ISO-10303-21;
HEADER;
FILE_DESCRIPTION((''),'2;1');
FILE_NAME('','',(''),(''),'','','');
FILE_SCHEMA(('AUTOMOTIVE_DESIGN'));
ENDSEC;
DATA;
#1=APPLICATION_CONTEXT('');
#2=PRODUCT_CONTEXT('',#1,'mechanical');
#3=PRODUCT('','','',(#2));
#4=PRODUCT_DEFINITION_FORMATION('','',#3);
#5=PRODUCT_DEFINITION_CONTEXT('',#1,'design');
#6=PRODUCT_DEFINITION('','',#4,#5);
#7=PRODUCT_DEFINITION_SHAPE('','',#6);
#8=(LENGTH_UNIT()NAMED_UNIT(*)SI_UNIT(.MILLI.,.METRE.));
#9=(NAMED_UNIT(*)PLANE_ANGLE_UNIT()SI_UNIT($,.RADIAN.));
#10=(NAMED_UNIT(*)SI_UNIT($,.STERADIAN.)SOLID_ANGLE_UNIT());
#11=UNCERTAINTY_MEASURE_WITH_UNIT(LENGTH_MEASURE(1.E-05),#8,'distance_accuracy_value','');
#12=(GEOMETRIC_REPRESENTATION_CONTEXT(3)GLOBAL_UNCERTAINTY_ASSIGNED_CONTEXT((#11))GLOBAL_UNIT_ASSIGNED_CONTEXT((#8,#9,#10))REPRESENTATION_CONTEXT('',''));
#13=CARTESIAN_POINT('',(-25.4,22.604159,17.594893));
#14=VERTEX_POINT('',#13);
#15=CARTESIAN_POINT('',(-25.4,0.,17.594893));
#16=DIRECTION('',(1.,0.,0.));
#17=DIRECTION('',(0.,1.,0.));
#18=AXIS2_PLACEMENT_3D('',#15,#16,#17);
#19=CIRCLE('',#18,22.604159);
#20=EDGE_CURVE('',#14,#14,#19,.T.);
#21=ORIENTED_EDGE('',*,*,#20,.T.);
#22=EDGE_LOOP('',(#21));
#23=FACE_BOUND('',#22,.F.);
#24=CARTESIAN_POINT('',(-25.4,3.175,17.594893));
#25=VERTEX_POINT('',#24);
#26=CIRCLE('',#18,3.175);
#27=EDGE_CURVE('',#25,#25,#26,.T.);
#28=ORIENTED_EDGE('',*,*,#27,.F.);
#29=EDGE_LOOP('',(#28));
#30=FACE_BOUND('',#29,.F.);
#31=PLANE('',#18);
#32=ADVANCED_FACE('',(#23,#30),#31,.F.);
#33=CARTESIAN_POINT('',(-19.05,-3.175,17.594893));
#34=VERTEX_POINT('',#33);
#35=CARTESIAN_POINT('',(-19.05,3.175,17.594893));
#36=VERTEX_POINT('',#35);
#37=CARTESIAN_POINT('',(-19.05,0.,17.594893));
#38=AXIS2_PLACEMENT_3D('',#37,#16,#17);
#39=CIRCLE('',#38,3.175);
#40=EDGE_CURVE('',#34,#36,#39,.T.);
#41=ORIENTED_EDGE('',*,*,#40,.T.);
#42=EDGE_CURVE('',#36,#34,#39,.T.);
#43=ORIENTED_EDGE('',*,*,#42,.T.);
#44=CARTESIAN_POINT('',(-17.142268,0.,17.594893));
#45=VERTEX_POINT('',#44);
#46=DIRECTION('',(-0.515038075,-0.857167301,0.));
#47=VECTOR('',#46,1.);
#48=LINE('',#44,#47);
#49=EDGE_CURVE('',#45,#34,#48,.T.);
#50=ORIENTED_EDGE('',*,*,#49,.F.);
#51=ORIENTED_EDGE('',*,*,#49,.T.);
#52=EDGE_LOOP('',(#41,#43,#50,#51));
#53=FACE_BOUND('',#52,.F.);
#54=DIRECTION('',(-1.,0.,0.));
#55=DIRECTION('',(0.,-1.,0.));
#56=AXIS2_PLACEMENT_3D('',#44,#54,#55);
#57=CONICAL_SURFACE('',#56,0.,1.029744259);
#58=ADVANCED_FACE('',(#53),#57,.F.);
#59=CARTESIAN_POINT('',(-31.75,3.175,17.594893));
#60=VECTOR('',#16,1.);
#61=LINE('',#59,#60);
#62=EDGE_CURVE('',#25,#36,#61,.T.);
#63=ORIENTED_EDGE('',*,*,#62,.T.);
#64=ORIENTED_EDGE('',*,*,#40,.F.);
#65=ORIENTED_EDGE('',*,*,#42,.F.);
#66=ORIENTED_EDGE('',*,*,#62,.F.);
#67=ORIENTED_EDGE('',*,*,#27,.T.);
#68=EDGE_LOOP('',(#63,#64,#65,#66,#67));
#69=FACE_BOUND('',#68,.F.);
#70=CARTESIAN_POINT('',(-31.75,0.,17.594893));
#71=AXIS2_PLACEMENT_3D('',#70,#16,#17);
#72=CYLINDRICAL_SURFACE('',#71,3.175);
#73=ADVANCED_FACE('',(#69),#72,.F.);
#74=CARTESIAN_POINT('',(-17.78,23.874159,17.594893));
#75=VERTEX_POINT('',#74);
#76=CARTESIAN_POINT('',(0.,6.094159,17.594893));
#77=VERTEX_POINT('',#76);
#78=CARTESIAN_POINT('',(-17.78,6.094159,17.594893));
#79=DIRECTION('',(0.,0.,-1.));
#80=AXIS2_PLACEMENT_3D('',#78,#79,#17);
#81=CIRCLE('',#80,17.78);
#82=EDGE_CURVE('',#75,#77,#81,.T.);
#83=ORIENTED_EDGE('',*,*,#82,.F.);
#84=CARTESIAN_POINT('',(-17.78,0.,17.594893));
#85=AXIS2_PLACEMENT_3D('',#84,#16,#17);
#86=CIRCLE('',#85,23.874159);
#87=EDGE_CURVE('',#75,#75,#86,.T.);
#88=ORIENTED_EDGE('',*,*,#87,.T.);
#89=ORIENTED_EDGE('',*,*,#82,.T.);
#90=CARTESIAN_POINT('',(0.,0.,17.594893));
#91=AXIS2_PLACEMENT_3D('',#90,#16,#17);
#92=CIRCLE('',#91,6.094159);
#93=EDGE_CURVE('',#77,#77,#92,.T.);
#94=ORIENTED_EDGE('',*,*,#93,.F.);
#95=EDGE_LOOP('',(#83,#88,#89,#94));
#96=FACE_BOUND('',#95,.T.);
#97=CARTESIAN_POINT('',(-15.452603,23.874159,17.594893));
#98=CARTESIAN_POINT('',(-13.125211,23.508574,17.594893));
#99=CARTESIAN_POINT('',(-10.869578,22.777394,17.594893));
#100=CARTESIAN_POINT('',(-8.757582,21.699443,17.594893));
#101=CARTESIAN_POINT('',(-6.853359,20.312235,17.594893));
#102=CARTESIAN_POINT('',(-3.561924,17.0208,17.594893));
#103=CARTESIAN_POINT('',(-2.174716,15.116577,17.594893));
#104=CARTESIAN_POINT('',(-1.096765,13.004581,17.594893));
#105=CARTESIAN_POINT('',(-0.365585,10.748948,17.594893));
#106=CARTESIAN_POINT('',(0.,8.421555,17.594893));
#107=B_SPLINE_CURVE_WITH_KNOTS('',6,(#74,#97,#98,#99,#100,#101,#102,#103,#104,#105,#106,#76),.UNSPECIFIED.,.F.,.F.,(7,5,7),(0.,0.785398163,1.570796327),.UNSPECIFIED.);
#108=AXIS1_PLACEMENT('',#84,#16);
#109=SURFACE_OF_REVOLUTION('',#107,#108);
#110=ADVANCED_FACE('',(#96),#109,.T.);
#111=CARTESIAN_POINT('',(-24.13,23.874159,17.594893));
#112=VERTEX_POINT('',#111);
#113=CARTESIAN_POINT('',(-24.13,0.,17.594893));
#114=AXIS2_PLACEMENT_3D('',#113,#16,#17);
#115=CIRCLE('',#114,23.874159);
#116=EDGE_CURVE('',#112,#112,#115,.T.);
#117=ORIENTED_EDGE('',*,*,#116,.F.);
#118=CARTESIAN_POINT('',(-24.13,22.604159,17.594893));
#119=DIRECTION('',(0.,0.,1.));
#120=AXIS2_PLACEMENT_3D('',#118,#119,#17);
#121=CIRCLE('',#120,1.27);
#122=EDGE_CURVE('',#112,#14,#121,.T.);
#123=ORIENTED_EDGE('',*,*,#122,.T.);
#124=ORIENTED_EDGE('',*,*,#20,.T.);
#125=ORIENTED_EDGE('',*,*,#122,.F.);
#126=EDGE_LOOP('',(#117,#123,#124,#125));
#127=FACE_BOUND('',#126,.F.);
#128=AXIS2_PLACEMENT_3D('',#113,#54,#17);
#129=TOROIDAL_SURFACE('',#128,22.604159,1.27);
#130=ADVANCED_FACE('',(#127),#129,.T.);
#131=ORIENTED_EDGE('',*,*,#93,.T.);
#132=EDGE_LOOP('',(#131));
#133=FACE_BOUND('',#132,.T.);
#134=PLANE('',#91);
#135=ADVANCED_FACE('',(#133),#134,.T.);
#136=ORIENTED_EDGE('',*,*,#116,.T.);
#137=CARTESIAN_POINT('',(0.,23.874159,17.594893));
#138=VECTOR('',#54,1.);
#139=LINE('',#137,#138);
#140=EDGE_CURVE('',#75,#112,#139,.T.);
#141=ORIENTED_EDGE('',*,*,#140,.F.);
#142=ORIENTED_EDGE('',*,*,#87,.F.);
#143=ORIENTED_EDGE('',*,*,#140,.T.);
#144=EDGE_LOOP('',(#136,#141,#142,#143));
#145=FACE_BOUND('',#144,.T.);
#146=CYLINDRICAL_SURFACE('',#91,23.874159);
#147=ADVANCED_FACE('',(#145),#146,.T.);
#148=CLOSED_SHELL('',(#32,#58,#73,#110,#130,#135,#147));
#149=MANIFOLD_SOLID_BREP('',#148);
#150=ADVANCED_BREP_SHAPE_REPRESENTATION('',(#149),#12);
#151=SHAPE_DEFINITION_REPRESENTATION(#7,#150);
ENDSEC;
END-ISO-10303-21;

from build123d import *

# Parameters (mm, degrees)
F0_R     = 23.8741589036
F1_DEPTH = 25.4
F2_R     = 17.78
F4_D     = 6.35
F4_DEPTH = 6.35
F4_TIP   = 1.9077324654
F5_R     = 1.27


with BuildPart() as f1:
    # F0 (on Right) → F1 (new body)
    with BuildSketch(Plane.YZ):
        with Locations((0, 17.5948925316)):
            Circle(F0_R)
    extrude(amount=-F1_DEPTH)

    # F2
    f2_edges = [f1.edges().sort_by_distance(p)[0] for p in [
        (0, -23.874159, 17.594893),
    ]]
    fillet(f2_edges, radius=F2_R)

    # F4
    with Locations(Plane(origin=(-25.4, 0, 0), x_dir=(0, -1, 0), z_dir=(-1, 0, 0))):
        with Locations((0, 17.5948925316)):
            Hole(F4_D / 2, depth=F4_DEPTH)
            with Locations((0, 0, -(F4_DEPTH + F4_TIP / 2))):  # 118° drill point
                Cone(0, F4_D / 2, F4_TIP, mode=Mode.SUBTRACT)

    # F5
    f5_edges = [f1.edges().sort_by_distance(p)[0] for p in [
        (-25.4, -23.874159, 17.594893),
    ]]
    fillet(f5_edges, radius=F5_R)


solid = f1.part
